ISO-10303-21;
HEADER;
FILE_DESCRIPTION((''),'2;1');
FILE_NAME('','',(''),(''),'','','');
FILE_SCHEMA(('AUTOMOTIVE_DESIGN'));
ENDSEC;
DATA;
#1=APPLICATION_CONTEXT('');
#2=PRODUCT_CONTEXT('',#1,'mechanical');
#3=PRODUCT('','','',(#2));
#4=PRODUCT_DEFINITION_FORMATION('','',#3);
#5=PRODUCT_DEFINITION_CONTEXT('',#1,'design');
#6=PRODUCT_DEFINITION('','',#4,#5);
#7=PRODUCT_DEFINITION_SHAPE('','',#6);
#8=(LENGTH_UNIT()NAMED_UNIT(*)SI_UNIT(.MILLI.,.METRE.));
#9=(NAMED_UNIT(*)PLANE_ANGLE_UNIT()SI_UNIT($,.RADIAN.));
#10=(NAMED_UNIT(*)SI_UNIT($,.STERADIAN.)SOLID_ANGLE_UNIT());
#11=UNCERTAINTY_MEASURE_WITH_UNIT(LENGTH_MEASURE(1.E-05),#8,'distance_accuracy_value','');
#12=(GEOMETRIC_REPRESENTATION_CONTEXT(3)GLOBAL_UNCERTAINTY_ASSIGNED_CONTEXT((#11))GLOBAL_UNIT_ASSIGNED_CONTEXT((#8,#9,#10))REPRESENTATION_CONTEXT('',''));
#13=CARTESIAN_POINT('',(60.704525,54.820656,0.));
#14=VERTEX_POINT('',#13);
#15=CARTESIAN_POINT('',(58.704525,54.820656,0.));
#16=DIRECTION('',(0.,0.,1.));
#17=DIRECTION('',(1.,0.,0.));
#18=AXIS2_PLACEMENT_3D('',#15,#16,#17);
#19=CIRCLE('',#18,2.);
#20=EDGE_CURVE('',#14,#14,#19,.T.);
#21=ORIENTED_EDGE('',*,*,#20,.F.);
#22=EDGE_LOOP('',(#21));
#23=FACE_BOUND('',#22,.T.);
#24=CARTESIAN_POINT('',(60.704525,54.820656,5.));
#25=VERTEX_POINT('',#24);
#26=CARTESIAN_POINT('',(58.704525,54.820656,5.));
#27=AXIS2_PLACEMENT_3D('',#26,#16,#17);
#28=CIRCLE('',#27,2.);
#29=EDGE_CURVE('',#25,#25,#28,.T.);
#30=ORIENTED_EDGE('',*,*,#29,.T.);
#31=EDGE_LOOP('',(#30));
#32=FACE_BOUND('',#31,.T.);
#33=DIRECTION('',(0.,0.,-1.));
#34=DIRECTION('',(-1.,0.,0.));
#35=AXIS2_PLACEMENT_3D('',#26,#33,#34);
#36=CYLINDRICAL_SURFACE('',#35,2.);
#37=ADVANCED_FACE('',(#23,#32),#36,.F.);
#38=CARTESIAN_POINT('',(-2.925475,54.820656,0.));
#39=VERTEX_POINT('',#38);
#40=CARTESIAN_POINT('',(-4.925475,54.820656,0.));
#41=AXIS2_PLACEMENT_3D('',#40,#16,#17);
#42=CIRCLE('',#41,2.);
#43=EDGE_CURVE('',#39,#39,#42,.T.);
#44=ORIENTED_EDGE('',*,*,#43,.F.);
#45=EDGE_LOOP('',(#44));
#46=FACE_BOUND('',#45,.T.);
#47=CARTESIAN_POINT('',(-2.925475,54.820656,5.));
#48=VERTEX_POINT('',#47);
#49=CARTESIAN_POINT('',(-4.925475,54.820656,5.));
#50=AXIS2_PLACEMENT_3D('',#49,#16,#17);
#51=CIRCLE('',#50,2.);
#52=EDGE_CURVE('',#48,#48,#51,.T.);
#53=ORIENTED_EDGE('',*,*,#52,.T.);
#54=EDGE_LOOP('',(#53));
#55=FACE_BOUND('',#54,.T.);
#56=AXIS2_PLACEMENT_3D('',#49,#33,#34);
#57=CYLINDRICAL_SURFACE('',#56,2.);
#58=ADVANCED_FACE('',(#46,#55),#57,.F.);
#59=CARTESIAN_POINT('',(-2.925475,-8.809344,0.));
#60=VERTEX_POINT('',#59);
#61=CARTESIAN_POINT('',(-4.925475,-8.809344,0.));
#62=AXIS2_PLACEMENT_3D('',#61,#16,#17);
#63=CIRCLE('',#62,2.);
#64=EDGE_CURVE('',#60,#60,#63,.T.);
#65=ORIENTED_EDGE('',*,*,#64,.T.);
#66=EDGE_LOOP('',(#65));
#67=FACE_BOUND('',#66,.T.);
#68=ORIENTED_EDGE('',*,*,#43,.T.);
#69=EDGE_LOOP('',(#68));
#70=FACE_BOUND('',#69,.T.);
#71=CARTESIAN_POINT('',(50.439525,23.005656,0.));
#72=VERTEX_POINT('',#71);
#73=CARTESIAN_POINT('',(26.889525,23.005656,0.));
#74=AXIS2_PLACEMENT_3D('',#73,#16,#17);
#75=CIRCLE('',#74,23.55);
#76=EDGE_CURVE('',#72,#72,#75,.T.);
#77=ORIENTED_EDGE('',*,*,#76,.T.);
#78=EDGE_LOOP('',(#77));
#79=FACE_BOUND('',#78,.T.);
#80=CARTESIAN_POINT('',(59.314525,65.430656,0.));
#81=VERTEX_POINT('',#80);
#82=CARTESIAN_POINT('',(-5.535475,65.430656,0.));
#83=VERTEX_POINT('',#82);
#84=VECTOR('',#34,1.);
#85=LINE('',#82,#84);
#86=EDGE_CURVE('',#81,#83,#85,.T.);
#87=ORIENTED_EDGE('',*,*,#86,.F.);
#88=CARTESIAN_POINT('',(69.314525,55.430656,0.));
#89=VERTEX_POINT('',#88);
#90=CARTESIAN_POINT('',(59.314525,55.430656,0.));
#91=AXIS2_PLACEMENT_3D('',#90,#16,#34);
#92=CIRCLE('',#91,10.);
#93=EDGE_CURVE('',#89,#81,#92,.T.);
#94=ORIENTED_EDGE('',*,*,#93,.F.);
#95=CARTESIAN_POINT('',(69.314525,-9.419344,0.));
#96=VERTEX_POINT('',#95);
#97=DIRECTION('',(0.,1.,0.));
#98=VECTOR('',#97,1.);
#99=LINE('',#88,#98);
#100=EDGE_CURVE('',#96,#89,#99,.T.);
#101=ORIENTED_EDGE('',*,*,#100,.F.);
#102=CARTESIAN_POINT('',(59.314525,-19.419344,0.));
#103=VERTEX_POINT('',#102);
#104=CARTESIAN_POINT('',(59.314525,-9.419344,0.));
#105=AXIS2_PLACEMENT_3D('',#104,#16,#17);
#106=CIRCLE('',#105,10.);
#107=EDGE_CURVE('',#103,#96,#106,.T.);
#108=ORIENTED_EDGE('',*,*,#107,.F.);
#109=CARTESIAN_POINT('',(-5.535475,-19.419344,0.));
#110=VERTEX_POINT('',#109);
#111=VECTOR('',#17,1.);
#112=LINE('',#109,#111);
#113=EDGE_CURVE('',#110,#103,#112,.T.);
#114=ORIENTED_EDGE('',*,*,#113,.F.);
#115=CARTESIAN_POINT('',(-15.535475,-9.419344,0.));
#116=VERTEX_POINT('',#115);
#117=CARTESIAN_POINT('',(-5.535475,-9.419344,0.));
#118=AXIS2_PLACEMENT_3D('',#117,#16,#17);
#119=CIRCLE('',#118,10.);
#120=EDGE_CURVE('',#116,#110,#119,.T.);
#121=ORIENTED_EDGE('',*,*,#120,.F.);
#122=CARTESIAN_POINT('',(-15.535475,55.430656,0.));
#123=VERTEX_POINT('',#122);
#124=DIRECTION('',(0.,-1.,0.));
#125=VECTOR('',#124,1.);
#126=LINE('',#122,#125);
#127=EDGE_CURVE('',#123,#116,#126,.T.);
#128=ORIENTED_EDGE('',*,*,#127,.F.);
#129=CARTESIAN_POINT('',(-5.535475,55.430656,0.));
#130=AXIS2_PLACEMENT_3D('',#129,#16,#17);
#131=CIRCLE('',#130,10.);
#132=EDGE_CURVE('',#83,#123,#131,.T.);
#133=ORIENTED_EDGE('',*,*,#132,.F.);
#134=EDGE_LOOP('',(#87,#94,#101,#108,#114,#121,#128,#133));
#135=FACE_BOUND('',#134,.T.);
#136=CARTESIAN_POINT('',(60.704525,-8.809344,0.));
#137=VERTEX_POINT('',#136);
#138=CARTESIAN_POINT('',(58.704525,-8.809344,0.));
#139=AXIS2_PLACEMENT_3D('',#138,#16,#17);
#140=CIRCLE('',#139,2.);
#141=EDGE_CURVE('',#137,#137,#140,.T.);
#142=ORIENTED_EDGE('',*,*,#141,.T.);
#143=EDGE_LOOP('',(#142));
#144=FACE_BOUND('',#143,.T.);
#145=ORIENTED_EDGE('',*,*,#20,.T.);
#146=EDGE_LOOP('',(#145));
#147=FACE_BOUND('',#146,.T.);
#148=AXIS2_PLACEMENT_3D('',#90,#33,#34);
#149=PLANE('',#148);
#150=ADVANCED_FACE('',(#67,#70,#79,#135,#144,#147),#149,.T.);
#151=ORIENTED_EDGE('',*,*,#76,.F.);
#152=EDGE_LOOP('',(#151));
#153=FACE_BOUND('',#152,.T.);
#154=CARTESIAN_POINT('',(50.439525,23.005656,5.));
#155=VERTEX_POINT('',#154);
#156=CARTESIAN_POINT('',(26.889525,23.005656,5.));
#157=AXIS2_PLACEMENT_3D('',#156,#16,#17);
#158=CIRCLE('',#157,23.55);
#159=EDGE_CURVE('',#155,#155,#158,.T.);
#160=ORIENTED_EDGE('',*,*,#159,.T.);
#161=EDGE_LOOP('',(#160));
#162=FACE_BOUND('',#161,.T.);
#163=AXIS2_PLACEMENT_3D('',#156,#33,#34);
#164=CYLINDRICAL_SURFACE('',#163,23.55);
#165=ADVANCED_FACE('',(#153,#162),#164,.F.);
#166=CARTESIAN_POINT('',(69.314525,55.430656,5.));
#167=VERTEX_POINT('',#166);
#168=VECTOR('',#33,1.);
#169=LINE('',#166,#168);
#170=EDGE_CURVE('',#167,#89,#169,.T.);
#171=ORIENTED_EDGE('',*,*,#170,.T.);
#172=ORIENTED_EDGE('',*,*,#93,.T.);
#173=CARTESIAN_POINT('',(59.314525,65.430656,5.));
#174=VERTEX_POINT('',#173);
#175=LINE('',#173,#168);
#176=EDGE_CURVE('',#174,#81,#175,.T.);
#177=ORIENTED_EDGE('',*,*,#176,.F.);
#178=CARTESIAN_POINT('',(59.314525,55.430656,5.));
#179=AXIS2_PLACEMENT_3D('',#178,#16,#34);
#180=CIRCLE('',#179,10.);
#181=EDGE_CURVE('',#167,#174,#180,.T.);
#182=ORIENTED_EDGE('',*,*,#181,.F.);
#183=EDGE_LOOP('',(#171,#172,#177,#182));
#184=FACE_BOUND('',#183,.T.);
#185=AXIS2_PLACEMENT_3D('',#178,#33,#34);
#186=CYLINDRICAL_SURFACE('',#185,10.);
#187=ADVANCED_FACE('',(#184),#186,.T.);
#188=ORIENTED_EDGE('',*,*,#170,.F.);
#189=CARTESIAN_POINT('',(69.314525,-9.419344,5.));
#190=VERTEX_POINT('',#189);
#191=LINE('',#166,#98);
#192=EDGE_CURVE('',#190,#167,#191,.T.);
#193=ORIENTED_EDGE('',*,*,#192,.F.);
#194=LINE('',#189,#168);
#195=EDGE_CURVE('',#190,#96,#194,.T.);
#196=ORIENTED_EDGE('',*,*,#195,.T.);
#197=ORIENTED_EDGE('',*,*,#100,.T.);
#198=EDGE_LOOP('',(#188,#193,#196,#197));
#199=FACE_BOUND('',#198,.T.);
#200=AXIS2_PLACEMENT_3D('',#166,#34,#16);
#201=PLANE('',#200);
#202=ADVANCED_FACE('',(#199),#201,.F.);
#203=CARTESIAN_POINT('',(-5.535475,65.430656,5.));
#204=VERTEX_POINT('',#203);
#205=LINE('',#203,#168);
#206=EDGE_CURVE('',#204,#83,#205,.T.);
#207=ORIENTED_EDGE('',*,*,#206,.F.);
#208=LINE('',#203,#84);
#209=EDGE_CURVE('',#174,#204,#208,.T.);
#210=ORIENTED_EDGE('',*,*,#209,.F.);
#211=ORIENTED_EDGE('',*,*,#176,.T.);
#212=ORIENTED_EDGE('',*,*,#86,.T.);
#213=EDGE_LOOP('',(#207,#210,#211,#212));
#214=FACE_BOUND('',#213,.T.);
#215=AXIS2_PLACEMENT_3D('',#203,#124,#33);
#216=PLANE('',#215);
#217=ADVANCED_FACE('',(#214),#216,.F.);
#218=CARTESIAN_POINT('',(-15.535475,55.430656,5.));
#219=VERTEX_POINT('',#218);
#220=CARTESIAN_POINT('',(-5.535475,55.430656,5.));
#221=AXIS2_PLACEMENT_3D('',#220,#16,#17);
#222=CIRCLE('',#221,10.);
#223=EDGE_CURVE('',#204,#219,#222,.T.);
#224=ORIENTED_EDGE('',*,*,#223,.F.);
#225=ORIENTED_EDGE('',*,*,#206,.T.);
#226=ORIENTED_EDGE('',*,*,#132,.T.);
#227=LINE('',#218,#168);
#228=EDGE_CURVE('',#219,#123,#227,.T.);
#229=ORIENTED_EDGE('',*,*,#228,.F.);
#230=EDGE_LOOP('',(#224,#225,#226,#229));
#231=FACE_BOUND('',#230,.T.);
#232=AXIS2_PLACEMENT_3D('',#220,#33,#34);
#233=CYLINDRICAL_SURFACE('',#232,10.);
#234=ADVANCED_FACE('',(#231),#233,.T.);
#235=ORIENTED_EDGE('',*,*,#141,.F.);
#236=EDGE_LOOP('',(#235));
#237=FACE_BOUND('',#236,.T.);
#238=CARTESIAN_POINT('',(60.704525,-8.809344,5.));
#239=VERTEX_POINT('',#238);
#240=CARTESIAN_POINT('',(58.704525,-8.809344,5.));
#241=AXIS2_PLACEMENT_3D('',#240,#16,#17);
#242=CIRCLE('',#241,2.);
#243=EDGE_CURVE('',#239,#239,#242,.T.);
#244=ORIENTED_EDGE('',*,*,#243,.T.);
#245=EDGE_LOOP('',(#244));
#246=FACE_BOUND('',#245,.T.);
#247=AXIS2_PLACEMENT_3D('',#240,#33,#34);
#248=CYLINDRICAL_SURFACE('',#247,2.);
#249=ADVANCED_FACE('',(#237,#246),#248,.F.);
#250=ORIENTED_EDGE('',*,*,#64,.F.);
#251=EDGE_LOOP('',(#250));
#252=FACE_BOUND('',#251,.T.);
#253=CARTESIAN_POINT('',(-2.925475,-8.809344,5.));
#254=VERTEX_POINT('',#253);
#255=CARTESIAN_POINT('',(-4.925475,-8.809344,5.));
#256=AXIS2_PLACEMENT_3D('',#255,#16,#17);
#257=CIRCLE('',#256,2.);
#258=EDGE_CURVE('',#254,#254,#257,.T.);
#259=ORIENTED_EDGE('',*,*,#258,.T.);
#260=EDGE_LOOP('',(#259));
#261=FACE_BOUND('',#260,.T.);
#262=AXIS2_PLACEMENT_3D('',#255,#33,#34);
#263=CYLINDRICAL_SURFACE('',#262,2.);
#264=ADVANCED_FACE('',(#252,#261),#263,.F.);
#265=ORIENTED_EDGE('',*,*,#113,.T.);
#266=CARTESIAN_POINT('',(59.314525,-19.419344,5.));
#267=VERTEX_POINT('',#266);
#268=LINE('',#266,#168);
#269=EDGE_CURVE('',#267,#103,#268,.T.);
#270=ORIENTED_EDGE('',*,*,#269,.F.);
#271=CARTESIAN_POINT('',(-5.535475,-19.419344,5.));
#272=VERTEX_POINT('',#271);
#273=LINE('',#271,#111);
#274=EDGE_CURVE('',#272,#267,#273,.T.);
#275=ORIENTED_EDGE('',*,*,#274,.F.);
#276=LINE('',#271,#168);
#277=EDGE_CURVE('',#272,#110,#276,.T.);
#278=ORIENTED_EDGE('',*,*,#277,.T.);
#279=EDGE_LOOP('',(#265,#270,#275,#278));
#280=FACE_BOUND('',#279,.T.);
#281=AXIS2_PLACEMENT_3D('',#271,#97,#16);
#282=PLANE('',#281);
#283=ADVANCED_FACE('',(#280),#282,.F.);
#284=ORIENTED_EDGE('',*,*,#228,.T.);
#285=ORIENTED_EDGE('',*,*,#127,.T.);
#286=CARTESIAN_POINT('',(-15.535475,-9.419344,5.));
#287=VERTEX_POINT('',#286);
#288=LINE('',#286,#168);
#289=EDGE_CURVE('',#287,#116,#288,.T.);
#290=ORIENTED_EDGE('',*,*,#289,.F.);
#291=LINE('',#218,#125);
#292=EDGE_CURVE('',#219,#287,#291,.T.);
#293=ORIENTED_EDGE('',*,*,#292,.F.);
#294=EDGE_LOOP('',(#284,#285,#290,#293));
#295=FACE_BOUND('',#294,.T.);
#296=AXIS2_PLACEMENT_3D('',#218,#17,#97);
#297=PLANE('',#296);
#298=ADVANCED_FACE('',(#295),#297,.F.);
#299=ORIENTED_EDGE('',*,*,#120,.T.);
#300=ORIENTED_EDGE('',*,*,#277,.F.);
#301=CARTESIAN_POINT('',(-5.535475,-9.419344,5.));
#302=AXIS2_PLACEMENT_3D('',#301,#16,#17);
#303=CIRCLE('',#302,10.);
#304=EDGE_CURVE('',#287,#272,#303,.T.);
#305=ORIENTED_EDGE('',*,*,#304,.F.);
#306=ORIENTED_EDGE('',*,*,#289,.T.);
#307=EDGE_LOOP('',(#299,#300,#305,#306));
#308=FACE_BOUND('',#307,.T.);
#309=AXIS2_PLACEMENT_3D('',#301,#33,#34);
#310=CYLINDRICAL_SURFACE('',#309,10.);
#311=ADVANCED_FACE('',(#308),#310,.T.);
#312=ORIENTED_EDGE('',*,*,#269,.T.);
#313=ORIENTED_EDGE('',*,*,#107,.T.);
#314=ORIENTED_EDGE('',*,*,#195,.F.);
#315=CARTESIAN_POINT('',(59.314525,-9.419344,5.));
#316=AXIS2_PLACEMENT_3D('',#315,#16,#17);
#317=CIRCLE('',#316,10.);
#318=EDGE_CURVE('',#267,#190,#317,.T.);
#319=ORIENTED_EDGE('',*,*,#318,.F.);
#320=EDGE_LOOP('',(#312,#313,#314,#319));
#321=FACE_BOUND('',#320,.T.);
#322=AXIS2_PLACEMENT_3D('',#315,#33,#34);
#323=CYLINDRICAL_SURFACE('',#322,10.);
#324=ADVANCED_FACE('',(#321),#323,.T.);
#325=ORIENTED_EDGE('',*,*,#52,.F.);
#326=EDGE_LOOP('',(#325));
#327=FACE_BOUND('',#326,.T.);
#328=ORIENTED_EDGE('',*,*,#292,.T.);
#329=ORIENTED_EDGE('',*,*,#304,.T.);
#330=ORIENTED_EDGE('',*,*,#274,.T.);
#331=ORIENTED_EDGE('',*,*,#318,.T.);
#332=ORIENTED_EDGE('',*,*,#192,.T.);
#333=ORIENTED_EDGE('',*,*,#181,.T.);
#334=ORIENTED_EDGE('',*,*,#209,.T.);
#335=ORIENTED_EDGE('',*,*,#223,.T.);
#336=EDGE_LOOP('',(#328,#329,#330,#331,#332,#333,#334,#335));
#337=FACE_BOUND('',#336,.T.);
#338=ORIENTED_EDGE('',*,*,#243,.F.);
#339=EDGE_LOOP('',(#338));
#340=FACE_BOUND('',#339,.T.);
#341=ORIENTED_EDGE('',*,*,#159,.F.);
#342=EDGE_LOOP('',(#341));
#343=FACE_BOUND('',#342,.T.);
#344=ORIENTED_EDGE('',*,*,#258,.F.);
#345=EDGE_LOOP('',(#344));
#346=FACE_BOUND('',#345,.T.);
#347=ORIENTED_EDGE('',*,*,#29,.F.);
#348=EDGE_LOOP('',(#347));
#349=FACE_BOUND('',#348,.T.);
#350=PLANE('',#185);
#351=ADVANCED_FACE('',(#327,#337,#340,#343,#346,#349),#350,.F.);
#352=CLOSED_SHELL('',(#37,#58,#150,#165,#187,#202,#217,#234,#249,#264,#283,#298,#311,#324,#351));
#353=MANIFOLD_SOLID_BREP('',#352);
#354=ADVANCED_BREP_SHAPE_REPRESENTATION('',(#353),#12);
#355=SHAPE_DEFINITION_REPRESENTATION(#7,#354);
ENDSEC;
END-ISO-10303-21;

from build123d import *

# Parameters (mm, degrees)
SKETCH1_R           = 23.55
SKETCH1_R_2         = 2
BOSS_EXTRUDE1_DEPTH = 5


with BuildPart() as part:
    # Sketch1 → Boss-Extrude1 (new body)
    with BuildSketch(Plane.XY):
        with BuildLine():
            Line((-5.535475367, 65.430655792), (59.314524633, 65.430655792))
            ThreePointArc((59.314524633, 65.430655792), (66.385592445, 62.501723604), (69.314524633, 55.430655792))
            Line((69.314524633, 55.430655792), (69.314524633, -9.419344208))
            ThreePointArc((69.314524633, -9.419344208), (66.385592445, -16.49041202), (59.314524633, -19.419344208))
            Line((59.314524633, -19.419344208), (-5.535475367, -19.419344208))
            ThreePointArc((-5.535475367, -19.419344208), (-12.606543178, -16.49041202), (-15.535475367, -9.419344208))
            Line((-15.535475367, -9.419344208), (-15.535475367, 55.430655792))
            ThreePointArc((-15.535475367, 55.430655792), (-12.606543178, 62.501723604), (-5.535475367, 65.430655792))
        make_face()
        with Locations((26.889524633, 23.005655792)):
            Circle(SKETCH1_R, mode=Mode.SUBTRACT)
        with Locations((-4.925475367, 54.820655792)):
            Circle(SKETCH1_R_2, mode=Mode.SUBTRACT)
        with Locations((-4.925475367, -8.809344208)):
            Circle(SKETCH1_R_2, mode=Mode.SUBTRACT)
        with Locations((58.704524633, 54.820655792)):
            Circle(SKETCH1_R_2, mode=Mode.SUBTRACT)
        with Locations((58.704524633, -8.809344208)):
            Circle(SKETCH1_R_2, mode=Mode.SUBTRACT)
    extrude(amount=BOSS_EXTRUDE1_DEPTH)


solid = part.part
